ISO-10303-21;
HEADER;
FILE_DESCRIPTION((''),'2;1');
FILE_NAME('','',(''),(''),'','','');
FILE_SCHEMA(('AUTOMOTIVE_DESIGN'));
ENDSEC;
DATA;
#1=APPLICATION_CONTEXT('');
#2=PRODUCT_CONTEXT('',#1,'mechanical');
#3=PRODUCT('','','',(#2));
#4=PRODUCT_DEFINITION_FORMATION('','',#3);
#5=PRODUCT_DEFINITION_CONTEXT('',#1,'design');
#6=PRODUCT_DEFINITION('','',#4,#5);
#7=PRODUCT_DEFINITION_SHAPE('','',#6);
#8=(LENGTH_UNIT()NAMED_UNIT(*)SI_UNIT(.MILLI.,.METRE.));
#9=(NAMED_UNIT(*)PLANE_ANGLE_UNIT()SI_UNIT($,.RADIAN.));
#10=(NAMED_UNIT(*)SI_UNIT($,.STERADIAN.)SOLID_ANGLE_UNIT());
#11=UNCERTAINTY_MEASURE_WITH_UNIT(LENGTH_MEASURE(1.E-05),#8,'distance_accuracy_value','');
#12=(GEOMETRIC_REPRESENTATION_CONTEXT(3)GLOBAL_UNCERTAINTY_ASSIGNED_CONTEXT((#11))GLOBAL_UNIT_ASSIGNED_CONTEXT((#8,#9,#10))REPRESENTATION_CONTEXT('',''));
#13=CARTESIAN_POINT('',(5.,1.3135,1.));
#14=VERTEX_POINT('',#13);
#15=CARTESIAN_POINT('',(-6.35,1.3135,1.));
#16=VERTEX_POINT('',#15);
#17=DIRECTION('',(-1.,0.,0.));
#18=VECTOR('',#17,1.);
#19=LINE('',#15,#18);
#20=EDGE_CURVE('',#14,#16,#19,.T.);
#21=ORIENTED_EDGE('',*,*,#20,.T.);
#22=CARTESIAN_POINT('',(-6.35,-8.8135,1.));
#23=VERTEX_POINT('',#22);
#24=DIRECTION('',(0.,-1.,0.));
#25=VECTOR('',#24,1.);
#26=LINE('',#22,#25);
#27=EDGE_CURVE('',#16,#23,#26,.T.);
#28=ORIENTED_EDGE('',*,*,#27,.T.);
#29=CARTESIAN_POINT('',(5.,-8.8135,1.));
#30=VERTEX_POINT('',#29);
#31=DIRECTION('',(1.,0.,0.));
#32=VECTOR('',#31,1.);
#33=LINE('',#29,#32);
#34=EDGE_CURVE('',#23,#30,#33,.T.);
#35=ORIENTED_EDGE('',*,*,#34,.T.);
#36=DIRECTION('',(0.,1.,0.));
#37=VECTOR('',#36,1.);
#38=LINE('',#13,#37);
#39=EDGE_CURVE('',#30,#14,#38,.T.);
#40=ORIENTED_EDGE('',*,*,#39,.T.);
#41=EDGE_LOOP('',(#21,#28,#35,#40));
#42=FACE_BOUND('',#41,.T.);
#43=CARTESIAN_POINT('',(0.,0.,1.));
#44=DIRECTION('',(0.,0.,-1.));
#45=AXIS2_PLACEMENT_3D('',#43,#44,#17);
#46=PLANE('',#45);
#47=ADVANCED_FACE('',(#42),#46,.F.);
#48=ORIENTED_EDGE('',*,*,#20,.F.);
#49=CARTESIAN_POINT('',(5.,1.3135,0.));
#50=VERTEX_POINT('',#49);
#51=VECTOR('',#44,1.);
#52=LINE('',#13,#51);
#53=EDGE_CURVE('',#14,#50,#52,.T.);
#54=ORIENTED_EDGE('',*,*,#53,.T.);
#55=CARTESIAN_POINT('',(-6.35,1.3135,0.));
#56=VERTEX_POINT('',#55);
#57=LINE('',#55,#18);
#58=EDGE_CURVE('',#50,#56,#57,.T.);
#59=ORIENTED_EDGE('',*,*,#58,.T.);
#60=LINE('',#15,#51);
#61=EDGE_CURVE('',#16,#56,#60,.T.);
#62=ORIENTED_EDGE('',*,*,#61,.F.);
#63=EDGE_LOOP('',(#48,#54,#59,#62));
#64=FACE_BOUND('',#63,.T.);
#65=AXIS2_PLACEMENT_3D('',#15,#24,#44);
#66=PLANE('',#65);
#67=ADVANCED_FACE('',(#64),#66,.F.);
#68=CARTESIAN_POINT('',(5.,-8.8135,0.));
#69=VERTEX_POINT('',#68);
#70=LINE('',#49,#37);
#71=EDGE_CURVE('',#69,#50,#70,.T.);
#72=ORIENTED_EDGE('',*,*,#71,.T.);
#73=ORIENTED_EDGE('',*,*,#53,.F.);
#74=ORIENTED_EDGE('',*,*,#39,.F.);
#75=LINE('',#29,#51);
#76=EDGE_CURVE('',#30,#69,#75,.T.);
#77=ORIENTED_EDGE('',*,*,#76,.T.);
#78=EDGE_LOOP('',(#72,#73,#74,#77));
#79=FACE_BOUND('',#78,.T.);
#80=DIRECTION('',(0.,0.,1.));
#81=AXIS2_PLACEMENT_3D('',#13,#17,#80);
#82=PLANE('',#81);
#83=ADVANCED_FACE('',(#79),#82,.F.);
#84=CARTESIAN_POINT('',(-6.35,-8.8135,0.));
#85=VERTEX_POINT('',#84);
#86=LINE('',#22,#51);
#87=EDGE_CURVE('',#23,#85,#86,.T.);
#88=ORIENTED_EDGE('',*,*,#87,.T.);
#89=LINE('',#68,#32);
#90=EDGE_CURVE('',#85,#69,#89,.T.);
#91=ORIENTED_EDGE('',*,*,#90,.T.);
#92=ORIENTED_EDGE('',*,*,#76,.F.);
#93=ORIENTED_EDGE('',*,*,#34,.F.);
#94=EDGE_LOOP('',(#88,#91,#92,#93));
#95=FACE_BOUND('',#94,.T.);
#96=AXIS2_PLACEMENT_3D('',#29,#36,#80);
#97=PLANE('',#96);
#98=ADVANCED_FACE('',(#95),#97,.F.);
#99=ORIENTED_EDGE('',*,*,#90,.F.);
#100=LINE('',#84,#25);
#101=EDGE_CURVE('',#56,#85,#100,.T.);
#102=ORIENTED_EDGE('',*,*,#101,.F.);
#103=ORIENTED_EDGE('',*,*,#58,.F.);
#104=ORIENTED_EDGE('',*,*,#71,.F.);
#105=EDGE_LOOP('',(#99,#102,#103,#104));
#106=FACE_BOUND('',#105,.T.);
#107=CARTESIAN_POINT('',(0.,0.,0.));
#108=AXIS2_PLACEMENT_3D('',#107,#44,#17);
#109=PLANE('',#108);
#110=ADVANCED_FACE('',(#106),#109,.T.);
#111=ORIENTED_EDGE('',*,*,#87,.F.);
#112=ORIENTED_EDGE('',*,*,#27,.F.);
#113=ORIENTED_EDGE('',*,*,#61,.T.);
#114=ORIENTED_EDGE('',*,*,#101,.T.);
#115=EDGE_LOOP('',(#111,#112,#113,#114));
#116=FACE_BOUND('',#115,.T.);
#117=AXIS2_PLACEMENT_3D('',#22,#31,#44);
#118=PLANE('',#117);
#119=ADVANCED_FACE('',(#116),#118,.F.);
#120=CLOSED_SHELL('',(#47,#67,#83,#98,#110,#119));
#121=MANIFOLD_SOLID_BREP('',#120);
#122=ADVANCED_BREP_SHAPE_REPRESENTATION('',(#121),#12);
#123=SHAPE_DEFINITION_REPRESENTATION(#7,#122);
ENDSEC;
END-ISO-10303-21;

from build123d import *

# Parameters (mm, degrees)
SKETCH1_W               = 11.35
SKETCH1_H               = 10.127
COMPONENT_OUTLINE_DEPTH = 1


with BuildPart() as part:
    # Sketch1 → Component_Outline (new body)
    with BuildSketch(Plane.XY):
        with Locations((-0.675, -3.75)):
            Rectangle(SKETCH1_W, SKETCH1_H)
    extrude(amount=COMPONENT_OUTLINE_DEPTH)


solid = part.part
